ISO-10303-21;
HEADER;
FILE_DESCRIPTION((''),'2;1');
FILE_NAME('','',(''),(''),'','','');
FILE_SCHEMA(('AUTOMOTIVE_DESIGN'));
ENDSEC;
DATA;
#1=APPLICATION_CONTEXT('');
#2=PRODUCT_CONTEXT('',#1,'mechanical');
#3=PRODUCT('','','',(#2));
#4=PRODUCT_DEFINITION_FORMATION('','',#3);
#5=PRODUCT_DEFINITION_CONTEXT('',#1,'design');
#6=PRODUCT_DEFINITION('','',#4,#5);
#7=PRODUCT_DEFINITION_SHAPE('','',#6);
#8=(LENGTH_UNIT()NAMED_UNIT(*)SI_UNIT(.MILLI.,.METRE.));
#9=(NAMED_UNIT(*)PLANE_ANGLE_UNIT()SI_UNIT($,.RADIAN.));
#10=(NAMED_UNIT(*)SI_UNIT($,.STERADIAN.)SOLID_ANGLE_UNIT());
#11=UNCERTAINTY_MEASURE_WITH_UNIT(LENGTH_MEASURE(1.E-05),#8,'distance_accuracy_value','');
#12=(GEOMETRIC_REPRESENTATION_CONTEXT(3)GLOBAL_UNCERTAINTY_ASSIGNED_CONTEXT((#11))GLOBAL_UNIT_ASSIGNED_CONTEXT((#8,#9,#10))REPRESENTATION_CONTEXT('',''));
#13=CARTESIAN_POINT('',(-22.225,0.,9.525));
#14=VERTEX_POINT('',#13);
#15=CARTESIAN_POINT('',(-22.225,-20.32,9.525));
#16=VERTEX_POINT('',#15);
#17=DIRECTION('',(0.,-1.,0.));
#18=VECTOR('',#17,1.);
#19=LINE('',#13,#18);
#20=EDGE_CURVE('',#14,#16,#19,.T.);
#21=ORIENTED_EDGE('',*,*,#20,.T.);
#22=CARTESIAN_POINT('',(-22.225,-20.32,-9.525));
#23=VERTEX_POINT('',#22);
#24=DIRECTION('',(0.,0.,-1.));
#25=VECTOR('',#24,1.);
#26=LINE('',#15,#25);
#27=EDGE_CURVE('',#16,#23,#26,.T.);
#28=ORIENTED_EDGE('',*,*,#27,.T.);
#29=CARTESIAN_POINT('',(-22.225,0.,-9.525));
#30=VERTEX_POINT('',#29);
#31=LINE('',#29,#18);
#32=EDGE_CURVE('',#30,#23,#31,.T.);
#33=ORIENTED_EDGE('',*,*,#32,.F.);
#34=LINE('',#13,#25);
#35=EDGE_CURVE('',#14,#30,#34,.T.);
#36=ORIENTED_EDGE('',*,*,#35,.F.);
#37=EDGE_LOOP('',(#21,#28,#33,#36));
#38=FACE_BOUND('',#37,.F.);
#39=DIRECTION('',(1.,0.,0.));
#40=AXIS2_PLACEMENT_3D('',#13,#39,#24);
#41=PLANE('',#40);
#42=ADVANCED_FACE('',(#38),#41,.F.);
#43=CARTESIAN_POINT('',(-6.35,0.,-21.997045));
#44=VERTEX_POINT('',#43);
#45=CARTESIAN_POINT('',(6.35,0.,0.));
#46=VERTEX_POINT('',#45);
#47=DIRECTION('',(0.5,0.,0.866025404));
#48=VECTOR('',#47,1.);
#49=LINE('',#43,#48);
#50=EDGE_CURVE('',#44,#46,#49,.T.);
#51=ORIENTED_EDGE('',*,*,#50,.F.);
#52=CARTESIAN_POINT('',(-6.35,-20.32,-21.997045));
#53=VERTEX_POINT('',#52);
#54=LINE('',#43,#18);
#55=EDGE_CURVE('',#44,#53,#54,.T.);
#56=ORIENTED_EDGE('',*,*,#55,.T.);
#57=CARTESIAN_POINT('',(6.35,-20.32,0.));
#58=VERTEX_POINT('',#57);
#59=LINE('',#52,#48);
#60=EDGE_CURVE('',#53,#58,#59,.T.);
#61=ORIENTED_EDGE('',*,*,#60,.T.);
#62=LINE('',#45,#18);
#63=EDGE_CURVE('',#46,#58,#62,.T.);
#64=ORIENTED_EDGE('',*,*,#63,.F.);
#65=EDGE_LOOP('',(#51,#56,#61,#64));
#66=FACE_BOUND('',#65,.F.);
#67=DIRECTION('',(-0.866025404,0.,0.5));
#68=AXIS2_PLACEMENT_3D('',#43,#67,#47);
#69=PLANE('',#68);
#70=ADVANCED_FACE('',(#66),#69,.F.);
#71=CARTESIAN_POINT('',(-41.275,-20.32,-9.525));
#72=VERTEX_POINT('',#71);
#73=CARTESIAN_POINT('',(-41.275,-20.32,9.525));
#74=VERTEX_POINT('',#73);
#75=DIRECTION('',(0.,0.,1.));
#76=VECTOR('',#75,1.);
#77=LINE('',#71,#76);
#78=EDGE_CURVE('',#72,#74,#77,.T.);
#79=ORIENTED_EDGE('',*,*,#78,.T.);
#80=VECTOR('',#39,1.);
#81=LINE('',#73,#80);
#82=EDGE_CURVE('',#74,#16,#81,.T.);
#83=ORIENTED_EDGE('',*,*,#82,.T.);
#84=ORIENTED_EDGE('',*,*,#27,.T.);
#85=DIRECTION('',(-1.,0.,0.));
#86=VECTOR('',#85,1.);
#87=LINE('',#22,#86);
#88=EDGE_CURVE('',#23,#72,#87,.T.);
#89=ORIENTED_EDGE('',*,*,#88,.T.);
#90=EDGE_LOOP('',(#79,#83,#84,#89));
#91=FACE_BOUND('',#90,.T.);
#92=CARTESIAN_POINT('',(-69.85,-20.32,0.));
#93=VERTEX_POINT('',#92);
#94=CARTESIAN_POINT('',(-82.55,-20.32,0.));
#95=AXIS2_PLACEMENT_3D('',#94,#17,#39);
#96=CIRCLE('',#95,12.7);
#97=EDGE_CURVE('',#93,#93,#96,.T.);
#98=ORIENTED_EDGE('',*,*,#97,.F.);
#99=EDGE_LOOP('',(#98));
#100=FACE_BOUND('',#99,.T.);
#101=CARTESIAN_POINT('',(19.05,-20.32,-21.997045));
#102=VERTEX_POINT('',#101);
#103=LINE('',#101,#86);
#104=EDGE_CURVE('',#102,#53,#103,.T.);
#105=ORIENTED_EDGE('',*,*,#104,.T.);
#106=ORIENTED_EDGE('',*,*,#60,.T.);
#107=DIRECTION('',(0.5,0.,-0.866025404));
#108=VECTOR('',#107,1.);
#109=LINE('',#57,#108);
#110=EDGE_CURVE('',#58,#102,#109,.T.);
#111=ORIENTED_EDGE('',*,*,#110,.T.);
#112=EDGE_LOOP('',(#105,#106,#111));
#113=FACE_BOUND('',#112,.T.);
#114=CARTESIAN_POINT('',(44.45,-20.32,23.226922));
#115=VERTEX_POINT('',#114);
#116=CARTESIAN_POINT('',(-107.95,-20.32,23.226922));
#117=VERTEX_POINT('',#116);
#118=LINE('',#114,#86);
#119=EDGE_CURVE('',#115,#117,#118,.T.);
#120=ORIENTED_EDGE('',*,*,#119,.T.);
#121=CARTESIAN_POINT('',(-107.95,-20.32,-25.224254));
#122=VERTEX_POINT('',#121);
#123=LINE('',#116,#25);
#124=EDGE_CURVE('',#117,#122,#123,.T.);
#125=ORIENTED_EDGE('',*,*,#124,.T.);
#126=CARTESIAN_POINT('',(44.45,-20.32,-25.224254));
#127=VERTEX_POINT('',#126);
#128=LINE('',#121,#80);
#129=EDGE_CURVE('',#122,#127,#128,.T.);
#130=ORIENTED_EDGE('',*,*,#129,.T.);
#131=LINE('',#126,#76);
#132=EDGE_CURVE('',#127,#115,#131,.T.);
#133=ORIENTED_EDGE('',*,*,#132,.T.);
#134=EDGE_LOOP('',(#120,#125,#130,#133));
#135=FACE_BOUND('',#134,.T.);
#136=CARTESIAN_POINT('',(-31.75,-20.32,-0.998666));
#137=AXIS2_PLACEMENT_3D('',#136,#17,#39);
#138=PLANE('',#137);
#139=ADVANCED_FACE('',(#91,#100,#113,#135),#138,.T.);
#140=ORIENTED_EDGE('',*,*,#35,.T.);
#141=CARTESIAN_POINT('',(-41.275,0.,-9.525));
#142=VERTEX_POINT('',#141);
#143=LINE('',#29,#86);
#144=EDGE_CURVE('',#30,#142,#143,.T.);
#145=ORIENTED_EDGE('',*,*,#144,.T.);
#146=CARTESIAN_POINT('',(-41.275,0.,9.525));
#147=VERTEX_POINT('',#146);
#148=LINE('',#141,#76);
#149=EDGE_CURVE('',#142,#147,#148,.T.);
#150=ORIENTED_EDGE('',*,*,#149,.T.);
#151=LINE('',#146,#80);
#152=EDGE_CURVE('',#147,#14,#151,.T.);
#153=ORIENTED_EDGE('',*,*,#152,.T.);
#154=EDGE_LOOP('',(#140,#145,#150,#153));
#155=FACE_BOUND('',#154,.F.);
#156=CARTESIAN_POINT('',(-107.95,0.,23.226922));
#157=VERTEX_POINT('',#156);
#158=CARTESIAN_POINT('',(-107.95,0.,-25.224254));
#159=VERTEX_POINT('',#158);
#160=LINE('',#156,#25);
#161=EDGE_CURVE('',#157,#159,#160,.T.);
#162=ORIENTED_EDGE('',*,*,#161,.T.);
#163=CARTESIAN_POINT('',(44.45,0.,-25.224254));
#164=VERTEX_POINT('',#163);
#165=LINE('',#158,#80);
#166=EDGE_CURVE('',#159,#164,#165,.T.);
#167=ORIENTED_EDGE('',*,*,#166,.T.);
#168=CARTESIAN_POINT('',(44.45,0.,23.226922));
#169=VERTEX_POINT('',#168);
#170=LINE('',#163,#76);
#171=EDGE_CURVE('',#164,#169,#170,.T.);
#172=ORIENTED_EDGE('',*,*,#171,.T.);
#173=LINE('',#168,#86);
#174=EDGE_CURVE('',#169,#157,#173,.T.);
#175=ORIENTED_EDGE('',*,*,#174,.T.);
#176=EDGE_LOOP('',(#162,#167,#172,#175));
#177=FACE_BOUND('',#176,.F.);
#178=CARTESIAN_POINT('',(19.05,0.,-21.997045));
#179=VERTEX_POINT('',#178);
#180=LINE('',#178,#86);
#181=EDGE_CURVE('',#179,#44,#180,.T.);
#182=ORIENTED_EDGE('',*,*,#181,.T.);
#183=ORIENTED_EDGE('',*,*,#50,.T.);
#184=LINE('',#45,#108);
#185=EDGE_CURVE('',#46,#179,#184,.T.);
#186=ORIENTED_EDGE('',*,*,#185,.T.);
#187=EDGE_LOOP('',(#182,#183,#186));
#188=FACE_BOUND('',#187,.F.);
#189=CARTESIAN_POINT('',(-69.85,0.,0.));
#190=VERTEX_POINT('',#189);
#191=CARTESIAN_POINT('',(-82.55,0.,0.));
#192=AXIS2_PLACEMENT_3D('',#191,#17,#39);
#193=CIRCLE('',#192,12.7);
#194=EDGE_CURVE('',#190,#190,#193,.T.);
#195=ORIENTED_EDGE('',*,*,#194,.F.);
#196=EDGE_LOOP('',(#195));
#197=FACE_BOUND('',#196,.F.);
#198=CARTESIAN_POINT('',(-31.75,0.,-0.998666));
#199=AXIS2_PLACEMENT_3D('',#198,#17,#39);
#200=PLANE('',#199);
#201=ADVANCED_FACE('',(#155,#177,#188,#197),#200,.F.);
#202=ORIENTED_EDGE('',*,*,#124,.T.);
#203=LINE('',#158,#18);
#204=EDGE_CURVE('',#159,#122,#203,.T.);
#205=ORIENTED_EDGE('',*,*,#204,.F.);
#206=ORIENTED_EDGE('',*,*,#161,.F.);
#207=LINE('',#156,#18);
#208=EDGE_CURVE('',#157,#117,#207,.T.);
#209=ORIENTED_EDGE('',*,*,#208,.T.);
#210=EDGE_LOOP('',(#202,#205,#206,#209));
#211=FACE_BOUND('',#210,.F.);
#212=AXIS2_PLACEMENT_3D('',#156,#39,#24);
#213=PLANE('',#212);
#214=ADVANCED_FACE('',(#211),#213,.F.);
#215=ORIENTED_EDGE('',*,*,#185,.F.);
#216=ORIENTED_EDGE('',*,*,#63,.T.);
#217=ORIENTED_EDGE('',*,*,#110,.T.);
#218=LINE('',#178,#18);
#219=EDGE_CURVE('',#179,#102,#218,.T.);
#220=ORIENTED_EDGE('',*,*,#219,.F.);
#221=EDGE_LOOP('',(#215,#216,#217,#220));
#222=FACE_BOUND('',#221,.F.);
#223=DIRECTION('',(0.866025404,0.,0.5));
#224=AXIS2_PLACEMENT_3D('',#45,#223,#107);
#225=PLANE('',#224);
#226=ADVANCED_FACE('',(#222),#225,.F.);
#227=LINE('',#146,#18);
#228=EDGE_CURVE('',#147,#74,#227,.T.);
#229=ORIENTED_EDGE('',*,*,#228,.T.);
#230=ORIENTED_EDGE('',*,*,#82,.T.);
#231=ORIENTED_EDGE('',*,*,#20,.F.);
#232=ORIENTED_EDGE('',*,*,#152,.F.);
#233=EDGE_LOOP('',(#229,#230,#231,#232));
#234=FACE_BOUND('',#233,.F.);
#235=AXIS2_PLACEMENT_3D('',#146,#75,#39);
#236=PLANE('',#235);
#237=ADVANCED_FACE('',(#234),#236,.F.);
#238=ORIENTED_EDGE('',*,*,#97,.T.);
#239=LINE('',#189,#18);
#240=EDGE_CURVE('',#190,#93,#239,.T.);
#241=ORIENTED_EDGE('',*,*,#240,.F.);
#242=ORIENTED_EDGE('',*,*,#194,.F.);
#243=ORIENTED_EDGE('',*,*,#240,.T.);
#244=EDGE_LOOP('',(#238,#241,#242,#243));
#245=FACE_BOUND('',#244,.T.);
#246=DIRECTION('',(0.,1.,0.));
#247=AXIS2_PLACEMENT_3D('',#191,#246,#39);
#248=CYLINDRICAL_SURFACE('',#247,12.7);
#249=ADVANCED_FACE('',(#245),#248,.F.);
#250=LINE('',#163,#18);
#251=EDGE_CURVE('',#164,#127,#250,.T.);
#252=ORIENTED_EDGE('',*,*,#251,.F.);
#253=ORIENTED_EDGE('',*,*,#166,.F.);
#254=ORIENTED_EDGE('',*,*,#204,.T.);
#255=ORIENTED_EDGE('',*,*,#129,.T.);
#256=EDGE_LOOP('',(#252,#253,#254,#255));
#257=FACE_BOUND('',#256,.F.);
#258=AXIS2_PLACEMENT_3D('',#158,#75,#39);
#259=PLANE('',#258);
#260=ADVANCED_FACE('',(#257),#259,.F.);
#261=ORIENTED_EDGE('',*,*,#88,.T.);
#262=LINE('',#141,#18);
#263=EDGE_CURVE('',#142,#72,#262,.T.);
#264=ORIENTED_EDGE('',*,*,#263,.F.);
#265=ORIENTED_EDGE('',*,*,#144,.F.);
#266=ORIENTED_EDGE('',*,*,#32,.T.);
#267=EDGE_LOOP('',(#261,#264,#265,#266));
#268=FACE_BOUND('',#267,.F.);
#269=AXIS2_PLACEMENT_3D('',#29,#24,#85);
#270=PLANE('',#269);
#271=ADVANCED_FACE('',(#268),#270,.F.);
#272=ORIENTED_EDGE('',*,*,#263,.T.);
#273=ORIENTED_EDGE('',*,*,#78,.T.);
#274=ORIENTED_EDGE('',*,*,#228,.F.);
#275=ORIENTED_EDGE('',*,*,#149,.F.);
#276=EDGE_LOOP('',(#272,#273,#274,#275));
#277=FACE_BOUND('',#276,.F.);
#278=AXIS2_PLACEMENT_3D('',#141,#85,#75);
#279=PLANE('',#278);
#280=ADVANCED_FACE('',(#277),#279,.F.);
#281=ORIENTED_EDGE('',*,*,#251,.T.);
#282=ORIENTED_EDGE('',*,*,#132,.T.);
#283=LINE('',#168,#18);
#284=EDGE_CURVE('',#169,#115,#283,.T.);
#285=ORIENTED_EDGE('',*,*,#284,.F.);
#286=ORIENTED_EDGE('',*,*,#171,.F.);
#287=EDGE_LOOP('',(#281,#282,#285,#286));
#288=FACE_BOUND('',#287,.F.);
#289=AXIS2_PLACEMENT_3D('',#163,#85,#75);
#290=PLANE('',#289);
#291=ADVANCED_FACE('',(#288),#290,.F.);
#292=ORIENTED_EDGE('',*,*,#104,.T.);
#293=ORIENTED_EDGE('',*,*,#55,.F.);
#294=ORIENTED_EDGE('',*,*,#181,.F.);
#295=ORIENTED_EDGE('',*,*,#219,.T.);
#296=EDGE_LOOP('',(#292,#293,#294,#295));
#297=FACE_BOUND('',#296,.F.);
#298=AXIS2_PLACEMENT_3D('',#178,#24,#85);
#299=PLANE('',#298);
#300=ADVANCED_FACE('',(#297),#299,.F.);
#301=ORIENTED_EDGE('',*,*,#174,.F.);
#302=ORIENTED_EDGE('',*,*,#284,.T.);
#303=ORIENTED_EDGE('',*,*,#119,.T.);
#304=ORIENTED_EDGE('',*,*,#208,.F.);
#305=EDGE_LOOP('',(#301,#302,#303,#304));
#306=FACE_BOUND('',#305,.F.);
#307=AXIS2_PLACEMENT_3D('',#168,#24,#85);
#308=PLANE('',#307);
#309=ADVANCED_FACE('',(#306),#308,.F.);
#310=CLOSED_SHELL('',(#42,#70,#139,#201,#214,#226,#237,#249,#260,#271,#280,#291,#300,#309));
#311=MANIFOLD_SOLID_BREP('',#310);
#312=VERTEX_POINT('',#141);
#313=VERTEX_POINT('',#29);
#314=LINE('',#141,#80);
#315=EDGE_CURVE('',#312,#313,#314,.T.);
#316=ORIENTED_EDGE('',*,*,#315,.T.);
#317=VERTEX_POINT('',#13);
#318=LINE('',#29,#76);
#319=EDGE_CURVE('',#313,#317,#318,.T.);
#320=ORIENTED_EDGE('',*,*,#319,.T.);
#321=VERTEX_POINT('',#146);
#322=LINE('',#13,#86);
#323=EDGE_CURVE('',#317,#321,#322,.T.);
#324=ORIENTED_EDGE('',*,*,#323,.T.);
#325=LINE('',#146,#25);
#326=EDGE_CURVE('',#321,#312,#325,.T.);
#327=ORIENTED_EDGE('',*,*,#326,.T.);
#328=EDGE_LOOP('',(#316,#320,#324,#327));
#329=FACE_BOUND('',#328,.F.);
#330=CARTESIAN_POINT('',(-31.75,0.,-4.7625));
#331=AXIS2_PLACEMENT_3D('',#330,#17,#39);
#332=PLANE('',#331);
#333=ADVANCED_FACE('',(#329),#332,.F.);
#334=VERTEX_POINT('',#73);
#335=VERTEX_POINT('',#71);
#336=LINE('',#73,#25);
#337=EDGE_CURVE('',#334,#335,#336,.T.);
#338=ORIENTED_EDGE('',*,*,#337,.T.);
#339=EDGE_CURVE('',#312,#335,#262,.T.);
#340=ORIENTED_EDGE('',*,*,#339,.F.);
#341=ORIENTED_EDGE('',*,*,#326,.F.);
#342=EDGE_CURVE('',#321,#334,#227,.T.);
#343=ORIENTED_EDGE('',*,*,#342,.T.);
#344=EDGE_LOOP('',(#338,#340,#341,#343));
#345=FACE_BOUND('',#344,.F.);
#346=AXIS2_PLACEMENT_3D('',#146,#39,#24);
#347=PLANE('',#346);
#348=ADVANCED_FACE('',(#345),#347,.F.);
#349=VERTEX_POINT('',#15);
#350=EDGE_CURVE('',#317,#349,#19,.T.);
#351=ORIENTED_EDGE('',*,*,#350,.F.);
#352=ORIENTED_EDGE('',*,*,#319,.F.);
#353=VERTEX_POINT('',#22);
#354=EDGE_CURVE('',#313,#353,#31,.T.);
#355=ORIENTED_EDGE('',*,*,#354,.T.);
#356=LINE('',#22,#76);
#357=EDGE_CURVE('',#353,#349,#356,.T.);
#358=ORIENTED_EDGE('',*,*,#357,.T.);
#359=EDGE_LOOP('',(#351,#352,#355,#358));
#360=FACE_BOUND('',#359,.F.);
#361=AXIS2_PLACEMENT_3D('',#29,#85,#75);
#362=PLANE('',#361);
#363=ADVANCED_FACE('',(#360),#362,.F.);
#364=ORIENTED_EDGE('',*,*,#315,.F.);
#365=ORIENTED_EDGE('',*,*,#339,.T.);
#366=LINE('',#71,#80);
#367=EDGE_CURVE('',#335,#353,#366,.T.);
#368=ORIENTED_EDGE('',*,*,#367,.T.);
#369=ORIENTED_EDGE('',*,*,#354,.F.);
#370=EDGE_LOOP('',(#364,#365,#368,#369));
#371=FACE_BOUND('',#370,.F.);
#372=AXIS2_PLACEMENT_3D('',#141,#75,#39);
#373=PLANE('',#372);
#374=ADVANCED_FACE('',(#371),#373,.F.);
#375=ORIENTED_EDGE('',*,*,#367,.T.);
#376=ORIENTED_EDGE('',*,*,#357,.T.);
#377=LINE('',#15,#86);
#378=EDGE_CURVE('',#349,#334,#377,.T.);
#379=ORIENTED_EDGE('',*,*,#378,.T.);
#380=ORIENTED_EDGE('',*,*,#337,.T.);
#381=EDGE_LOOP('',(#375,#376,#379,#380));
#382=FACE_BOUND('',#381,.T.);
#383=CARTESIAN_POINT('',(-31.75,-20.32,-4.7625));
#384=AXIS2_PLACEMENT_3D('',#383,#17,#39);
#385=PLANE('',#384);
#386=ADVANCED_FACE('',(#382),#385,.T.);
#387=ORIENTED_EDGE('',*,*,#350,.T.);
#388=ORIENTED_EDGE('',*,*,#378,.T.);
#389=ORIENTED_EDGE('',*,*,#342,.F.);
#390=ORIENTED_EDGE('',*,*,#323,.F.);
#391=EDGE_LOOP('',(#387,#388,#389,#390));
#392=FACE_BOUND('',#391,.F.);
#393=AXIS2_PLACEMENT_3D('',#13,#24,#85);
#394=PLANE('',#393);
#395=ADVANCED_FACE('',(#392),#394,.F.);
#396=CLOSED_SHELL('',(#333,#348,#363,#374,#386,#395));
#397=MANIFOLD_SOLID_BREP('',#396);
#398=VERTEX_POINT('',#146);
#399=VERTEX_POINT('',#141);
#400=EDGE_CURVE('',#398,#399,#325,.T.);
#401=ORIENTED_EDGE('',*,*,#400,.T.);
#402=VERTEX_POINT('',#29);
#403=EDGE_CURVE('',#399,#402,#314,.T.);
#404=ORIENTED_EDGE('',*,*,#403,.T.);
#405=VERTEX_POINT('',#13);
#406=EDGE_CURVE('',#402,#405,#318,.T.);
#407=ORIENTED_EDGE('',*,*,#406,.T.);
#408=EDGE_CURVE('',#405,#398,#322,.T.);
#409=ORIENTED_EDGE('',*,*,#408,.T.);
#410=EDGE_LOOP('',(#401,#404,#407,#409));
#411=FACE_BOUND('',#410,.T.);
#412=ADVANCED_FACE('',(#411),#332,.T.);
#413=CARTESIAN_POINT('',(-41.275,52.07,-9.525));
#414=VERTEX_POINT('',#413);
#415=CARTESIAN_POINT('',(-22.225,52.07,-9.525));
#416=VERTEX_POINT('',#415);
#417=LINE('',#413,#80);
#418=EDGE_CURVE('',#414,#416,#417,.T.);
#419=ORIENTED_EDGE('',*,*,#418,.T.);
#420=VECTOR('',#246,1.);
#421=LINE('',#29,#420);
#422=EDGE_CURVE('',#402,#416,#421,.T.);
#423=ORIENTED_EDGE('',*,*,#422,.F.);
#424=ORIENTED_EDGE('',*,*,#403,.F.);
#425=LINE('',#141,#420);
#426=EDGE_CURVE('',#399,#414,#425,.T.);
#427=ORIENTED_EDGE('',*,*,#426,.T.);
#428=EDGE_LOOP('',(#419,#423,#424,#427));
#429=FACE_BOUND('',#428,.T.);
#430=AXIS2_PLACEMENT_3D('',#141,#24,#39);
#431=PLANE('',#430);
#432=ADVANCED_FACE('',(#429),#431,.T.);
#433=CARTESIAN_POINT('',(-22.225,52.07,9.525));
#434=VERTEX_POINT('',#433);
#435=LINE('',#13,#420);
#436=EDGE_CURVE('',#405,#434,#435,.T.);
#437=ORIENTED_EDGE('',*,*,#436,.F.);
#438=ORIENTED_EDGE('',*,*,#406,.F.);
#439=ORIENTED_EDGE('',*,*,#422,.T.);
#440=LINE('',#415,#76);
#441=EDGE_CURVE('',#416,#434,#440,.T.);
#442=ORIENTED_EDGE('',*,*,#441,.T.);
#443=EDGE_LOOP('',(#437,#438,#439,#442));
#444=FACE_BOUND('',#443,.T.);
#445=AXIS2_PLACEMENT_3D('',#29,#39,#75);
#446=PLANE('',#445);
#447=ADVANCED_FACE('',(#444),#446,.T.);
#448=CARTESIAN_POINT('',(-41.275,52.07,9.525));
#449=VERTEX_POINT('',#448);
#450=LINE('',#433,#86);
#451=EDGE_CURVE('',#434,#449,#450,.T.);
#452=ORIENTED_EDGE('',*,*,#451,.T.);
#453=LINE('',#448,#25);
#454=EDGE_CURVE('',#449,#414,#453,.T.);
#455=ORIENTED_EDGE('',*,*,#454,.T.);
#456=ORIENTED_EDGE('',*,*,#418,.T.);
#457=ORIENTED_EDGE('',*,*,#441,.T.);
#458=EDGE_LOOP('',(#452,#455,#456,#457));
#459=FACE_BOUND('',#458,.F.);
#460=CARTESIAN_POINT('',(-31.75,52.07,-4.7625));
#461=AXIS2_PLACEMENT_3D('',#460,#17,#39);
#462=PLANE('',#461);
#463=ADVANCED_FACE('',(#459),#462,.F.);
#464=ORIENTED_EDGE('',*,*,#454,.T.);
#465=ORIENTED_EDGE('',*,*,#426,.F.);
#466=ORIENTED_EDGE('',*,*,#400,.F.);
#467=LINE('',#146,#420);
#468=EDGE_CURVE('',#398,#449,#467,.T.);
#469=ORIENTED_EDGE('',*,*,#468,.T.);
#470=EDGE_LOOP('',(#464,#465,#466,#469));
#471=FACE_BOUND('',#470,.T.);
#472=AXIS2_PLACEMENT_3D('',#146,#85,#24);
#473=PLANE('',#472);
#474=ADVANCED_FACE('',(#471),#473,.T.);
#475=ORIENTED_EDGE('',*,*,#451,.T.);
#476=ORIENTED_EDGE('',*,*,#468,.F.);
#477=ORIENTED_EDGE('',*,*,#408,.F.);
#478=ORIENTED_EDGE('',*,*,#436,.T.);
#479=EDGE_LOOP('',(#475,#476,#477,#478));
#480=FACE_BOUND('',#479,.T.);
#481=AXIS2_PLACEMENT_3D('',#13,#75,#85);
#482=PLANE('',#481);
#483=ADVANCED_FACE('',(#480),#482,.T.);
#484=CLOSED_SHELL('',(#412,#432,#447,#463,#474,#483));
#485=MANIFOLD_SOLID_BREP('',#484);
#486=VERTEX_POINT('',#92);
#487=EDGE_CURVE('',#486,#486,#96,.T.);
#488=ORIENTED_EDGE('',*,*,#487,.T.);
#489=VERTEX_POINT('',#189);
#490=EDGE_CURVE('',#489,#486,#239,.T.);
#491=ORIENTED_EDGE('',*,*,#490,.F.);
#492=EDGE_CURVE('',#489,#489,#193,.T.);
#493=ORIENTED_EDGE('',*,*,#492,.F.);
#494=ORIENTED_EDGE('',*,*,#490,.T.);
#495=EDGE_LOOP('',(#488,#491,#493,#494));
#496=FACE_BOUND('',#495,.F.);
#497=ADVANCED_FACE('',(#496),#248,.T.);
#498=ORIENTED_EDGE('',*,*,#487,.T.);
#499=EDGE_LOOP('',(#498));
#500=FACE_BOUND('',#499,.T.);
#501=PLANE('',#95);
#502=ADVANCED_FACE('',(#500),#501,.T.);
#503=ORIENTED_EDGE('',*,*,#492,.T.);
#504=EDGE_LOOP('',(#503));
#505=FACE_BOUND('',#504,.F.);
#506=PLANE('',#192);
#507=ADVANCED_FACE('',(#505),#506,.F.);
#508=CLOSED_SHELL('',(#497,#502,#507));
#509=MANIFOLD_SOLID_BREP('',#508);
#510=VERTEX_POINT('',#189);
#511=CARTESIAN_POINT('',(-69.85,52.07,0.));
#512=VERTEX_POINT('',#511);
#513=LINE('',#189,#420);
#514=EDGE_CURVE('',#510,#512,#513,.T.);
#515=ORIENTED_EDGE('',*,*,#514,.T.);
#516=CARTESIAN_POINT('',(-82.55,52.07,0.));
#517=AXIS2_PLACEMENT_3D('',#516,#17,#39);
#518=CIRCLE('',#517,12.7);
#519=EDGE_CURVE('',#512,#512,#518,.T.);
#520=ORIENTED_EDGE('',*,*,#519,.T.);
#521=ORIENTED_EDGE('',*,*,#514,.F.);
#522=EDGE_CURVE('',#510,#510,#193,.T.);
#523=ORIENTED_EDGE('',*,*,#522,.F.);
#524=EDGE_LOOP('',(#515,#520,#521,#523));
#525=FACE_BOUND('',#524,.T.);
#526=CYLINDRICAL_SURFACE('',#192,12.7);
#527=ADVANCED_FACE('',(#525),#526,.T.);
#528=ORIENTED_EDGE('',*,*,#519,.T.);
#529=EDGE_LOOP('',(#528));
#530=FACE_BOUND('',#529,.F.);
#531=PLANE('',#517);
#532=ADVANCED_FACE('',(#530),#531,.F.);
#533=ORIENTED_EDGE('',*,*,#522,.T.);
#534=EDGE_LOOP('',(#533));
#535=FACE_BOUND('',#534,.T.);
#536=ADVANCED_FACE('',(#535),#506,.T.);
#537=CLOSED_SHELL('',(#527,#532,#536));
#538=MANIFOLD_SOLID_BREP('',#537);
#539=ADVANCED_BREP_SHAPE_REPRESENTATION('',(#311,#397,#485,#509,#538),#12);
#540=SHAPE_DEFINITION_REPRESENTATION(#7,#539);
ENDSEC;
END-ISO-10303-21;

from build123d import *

# Parameters (mm, degrees)
F0_R     = 12.7
F1_DEPTH = 20.32
F2_DEPTH = 52.07
F3_DEPTH = 20.32


with BuildPart() as f1:
    # F0 (on Front) → F1 (new body)
    with BuildSketch(Plane.XZ):
        Polygon((44.45, -25.2242535353), (44.45, 0), (44.45, 23.2269223779), (-107.95, 23.2269223779), (-107.95, -25.2242535353), align=None)
        Polygon((-6.35, -21.9970452561), (6.35, 0), (19.05, -21.9970452561), align=None, mode=Mode.SUBTRACT)
        with Locations((-82.55, 0)):
            Circle(F0_R, mode=Mode.SUBTRACT)
        Polygon((-22.225, 9.525), (-22.225, 0), (-22.225, -9.525), (-41.275, -9.525), (-41.275, 0), (-41.275, 9.525), align=None, mode=Mode.SUBTRACT)
    extrude(amount=F1_DEPTH)


with BuildPart() as f2:
    # F0 (on Front) → F2 (new body)
    with BuildSketch(Plane.XZ):
        with Locations((-82.55, 0)):
            Circle(F0_R)
    extrude(amount=-F2_DEPTH)


with BuildPart() as f2b:
    # F0 (on Front) → F2, piece 2 (new body)
    with BuildSketch(Plane.XZ):
        Polygon((-22.225, -9.525), (-22.225, 0), (-31.75, 0), (-41.275, 0), (-41.275, -9.525), align=None)
        Polygon((-31.75, 0), (-22.225, 0), (-22.225, 9.525), (-41.275, 9.525), (-41.275, 0), align=None)
    extrude(amount=-F2_DEPTH)


with BuildPart() as f3:
    # F0 (on Front) → F3 (new body)
    with BuildSketch(Plane.XZ):
        with Locations((-82.55, 0)):
            Circle(F0_R)
    extrude(amount=F3_DEPTH)


with BuildPart() as f3b:
    # F0 (on Front) → F3, piece 2 (new body)
    with BuildSketch(Plane.XZ):
        Polygon((-22.225, -9.525), (-22.225, 0), (-31.75, 0), (-41.275, 0), (-41.275, -9.525), align=None)
        Polygon((-31.75, 0), (-22.225, 0), (-22.225, 9.525), (-41.275, 9.525), (-41.275, 0), align=None)
    extrude(amount=F3_DEPTH)


solid = Compound([f1.part, f2.part, f2b.part, f3.part, f3b.part])
